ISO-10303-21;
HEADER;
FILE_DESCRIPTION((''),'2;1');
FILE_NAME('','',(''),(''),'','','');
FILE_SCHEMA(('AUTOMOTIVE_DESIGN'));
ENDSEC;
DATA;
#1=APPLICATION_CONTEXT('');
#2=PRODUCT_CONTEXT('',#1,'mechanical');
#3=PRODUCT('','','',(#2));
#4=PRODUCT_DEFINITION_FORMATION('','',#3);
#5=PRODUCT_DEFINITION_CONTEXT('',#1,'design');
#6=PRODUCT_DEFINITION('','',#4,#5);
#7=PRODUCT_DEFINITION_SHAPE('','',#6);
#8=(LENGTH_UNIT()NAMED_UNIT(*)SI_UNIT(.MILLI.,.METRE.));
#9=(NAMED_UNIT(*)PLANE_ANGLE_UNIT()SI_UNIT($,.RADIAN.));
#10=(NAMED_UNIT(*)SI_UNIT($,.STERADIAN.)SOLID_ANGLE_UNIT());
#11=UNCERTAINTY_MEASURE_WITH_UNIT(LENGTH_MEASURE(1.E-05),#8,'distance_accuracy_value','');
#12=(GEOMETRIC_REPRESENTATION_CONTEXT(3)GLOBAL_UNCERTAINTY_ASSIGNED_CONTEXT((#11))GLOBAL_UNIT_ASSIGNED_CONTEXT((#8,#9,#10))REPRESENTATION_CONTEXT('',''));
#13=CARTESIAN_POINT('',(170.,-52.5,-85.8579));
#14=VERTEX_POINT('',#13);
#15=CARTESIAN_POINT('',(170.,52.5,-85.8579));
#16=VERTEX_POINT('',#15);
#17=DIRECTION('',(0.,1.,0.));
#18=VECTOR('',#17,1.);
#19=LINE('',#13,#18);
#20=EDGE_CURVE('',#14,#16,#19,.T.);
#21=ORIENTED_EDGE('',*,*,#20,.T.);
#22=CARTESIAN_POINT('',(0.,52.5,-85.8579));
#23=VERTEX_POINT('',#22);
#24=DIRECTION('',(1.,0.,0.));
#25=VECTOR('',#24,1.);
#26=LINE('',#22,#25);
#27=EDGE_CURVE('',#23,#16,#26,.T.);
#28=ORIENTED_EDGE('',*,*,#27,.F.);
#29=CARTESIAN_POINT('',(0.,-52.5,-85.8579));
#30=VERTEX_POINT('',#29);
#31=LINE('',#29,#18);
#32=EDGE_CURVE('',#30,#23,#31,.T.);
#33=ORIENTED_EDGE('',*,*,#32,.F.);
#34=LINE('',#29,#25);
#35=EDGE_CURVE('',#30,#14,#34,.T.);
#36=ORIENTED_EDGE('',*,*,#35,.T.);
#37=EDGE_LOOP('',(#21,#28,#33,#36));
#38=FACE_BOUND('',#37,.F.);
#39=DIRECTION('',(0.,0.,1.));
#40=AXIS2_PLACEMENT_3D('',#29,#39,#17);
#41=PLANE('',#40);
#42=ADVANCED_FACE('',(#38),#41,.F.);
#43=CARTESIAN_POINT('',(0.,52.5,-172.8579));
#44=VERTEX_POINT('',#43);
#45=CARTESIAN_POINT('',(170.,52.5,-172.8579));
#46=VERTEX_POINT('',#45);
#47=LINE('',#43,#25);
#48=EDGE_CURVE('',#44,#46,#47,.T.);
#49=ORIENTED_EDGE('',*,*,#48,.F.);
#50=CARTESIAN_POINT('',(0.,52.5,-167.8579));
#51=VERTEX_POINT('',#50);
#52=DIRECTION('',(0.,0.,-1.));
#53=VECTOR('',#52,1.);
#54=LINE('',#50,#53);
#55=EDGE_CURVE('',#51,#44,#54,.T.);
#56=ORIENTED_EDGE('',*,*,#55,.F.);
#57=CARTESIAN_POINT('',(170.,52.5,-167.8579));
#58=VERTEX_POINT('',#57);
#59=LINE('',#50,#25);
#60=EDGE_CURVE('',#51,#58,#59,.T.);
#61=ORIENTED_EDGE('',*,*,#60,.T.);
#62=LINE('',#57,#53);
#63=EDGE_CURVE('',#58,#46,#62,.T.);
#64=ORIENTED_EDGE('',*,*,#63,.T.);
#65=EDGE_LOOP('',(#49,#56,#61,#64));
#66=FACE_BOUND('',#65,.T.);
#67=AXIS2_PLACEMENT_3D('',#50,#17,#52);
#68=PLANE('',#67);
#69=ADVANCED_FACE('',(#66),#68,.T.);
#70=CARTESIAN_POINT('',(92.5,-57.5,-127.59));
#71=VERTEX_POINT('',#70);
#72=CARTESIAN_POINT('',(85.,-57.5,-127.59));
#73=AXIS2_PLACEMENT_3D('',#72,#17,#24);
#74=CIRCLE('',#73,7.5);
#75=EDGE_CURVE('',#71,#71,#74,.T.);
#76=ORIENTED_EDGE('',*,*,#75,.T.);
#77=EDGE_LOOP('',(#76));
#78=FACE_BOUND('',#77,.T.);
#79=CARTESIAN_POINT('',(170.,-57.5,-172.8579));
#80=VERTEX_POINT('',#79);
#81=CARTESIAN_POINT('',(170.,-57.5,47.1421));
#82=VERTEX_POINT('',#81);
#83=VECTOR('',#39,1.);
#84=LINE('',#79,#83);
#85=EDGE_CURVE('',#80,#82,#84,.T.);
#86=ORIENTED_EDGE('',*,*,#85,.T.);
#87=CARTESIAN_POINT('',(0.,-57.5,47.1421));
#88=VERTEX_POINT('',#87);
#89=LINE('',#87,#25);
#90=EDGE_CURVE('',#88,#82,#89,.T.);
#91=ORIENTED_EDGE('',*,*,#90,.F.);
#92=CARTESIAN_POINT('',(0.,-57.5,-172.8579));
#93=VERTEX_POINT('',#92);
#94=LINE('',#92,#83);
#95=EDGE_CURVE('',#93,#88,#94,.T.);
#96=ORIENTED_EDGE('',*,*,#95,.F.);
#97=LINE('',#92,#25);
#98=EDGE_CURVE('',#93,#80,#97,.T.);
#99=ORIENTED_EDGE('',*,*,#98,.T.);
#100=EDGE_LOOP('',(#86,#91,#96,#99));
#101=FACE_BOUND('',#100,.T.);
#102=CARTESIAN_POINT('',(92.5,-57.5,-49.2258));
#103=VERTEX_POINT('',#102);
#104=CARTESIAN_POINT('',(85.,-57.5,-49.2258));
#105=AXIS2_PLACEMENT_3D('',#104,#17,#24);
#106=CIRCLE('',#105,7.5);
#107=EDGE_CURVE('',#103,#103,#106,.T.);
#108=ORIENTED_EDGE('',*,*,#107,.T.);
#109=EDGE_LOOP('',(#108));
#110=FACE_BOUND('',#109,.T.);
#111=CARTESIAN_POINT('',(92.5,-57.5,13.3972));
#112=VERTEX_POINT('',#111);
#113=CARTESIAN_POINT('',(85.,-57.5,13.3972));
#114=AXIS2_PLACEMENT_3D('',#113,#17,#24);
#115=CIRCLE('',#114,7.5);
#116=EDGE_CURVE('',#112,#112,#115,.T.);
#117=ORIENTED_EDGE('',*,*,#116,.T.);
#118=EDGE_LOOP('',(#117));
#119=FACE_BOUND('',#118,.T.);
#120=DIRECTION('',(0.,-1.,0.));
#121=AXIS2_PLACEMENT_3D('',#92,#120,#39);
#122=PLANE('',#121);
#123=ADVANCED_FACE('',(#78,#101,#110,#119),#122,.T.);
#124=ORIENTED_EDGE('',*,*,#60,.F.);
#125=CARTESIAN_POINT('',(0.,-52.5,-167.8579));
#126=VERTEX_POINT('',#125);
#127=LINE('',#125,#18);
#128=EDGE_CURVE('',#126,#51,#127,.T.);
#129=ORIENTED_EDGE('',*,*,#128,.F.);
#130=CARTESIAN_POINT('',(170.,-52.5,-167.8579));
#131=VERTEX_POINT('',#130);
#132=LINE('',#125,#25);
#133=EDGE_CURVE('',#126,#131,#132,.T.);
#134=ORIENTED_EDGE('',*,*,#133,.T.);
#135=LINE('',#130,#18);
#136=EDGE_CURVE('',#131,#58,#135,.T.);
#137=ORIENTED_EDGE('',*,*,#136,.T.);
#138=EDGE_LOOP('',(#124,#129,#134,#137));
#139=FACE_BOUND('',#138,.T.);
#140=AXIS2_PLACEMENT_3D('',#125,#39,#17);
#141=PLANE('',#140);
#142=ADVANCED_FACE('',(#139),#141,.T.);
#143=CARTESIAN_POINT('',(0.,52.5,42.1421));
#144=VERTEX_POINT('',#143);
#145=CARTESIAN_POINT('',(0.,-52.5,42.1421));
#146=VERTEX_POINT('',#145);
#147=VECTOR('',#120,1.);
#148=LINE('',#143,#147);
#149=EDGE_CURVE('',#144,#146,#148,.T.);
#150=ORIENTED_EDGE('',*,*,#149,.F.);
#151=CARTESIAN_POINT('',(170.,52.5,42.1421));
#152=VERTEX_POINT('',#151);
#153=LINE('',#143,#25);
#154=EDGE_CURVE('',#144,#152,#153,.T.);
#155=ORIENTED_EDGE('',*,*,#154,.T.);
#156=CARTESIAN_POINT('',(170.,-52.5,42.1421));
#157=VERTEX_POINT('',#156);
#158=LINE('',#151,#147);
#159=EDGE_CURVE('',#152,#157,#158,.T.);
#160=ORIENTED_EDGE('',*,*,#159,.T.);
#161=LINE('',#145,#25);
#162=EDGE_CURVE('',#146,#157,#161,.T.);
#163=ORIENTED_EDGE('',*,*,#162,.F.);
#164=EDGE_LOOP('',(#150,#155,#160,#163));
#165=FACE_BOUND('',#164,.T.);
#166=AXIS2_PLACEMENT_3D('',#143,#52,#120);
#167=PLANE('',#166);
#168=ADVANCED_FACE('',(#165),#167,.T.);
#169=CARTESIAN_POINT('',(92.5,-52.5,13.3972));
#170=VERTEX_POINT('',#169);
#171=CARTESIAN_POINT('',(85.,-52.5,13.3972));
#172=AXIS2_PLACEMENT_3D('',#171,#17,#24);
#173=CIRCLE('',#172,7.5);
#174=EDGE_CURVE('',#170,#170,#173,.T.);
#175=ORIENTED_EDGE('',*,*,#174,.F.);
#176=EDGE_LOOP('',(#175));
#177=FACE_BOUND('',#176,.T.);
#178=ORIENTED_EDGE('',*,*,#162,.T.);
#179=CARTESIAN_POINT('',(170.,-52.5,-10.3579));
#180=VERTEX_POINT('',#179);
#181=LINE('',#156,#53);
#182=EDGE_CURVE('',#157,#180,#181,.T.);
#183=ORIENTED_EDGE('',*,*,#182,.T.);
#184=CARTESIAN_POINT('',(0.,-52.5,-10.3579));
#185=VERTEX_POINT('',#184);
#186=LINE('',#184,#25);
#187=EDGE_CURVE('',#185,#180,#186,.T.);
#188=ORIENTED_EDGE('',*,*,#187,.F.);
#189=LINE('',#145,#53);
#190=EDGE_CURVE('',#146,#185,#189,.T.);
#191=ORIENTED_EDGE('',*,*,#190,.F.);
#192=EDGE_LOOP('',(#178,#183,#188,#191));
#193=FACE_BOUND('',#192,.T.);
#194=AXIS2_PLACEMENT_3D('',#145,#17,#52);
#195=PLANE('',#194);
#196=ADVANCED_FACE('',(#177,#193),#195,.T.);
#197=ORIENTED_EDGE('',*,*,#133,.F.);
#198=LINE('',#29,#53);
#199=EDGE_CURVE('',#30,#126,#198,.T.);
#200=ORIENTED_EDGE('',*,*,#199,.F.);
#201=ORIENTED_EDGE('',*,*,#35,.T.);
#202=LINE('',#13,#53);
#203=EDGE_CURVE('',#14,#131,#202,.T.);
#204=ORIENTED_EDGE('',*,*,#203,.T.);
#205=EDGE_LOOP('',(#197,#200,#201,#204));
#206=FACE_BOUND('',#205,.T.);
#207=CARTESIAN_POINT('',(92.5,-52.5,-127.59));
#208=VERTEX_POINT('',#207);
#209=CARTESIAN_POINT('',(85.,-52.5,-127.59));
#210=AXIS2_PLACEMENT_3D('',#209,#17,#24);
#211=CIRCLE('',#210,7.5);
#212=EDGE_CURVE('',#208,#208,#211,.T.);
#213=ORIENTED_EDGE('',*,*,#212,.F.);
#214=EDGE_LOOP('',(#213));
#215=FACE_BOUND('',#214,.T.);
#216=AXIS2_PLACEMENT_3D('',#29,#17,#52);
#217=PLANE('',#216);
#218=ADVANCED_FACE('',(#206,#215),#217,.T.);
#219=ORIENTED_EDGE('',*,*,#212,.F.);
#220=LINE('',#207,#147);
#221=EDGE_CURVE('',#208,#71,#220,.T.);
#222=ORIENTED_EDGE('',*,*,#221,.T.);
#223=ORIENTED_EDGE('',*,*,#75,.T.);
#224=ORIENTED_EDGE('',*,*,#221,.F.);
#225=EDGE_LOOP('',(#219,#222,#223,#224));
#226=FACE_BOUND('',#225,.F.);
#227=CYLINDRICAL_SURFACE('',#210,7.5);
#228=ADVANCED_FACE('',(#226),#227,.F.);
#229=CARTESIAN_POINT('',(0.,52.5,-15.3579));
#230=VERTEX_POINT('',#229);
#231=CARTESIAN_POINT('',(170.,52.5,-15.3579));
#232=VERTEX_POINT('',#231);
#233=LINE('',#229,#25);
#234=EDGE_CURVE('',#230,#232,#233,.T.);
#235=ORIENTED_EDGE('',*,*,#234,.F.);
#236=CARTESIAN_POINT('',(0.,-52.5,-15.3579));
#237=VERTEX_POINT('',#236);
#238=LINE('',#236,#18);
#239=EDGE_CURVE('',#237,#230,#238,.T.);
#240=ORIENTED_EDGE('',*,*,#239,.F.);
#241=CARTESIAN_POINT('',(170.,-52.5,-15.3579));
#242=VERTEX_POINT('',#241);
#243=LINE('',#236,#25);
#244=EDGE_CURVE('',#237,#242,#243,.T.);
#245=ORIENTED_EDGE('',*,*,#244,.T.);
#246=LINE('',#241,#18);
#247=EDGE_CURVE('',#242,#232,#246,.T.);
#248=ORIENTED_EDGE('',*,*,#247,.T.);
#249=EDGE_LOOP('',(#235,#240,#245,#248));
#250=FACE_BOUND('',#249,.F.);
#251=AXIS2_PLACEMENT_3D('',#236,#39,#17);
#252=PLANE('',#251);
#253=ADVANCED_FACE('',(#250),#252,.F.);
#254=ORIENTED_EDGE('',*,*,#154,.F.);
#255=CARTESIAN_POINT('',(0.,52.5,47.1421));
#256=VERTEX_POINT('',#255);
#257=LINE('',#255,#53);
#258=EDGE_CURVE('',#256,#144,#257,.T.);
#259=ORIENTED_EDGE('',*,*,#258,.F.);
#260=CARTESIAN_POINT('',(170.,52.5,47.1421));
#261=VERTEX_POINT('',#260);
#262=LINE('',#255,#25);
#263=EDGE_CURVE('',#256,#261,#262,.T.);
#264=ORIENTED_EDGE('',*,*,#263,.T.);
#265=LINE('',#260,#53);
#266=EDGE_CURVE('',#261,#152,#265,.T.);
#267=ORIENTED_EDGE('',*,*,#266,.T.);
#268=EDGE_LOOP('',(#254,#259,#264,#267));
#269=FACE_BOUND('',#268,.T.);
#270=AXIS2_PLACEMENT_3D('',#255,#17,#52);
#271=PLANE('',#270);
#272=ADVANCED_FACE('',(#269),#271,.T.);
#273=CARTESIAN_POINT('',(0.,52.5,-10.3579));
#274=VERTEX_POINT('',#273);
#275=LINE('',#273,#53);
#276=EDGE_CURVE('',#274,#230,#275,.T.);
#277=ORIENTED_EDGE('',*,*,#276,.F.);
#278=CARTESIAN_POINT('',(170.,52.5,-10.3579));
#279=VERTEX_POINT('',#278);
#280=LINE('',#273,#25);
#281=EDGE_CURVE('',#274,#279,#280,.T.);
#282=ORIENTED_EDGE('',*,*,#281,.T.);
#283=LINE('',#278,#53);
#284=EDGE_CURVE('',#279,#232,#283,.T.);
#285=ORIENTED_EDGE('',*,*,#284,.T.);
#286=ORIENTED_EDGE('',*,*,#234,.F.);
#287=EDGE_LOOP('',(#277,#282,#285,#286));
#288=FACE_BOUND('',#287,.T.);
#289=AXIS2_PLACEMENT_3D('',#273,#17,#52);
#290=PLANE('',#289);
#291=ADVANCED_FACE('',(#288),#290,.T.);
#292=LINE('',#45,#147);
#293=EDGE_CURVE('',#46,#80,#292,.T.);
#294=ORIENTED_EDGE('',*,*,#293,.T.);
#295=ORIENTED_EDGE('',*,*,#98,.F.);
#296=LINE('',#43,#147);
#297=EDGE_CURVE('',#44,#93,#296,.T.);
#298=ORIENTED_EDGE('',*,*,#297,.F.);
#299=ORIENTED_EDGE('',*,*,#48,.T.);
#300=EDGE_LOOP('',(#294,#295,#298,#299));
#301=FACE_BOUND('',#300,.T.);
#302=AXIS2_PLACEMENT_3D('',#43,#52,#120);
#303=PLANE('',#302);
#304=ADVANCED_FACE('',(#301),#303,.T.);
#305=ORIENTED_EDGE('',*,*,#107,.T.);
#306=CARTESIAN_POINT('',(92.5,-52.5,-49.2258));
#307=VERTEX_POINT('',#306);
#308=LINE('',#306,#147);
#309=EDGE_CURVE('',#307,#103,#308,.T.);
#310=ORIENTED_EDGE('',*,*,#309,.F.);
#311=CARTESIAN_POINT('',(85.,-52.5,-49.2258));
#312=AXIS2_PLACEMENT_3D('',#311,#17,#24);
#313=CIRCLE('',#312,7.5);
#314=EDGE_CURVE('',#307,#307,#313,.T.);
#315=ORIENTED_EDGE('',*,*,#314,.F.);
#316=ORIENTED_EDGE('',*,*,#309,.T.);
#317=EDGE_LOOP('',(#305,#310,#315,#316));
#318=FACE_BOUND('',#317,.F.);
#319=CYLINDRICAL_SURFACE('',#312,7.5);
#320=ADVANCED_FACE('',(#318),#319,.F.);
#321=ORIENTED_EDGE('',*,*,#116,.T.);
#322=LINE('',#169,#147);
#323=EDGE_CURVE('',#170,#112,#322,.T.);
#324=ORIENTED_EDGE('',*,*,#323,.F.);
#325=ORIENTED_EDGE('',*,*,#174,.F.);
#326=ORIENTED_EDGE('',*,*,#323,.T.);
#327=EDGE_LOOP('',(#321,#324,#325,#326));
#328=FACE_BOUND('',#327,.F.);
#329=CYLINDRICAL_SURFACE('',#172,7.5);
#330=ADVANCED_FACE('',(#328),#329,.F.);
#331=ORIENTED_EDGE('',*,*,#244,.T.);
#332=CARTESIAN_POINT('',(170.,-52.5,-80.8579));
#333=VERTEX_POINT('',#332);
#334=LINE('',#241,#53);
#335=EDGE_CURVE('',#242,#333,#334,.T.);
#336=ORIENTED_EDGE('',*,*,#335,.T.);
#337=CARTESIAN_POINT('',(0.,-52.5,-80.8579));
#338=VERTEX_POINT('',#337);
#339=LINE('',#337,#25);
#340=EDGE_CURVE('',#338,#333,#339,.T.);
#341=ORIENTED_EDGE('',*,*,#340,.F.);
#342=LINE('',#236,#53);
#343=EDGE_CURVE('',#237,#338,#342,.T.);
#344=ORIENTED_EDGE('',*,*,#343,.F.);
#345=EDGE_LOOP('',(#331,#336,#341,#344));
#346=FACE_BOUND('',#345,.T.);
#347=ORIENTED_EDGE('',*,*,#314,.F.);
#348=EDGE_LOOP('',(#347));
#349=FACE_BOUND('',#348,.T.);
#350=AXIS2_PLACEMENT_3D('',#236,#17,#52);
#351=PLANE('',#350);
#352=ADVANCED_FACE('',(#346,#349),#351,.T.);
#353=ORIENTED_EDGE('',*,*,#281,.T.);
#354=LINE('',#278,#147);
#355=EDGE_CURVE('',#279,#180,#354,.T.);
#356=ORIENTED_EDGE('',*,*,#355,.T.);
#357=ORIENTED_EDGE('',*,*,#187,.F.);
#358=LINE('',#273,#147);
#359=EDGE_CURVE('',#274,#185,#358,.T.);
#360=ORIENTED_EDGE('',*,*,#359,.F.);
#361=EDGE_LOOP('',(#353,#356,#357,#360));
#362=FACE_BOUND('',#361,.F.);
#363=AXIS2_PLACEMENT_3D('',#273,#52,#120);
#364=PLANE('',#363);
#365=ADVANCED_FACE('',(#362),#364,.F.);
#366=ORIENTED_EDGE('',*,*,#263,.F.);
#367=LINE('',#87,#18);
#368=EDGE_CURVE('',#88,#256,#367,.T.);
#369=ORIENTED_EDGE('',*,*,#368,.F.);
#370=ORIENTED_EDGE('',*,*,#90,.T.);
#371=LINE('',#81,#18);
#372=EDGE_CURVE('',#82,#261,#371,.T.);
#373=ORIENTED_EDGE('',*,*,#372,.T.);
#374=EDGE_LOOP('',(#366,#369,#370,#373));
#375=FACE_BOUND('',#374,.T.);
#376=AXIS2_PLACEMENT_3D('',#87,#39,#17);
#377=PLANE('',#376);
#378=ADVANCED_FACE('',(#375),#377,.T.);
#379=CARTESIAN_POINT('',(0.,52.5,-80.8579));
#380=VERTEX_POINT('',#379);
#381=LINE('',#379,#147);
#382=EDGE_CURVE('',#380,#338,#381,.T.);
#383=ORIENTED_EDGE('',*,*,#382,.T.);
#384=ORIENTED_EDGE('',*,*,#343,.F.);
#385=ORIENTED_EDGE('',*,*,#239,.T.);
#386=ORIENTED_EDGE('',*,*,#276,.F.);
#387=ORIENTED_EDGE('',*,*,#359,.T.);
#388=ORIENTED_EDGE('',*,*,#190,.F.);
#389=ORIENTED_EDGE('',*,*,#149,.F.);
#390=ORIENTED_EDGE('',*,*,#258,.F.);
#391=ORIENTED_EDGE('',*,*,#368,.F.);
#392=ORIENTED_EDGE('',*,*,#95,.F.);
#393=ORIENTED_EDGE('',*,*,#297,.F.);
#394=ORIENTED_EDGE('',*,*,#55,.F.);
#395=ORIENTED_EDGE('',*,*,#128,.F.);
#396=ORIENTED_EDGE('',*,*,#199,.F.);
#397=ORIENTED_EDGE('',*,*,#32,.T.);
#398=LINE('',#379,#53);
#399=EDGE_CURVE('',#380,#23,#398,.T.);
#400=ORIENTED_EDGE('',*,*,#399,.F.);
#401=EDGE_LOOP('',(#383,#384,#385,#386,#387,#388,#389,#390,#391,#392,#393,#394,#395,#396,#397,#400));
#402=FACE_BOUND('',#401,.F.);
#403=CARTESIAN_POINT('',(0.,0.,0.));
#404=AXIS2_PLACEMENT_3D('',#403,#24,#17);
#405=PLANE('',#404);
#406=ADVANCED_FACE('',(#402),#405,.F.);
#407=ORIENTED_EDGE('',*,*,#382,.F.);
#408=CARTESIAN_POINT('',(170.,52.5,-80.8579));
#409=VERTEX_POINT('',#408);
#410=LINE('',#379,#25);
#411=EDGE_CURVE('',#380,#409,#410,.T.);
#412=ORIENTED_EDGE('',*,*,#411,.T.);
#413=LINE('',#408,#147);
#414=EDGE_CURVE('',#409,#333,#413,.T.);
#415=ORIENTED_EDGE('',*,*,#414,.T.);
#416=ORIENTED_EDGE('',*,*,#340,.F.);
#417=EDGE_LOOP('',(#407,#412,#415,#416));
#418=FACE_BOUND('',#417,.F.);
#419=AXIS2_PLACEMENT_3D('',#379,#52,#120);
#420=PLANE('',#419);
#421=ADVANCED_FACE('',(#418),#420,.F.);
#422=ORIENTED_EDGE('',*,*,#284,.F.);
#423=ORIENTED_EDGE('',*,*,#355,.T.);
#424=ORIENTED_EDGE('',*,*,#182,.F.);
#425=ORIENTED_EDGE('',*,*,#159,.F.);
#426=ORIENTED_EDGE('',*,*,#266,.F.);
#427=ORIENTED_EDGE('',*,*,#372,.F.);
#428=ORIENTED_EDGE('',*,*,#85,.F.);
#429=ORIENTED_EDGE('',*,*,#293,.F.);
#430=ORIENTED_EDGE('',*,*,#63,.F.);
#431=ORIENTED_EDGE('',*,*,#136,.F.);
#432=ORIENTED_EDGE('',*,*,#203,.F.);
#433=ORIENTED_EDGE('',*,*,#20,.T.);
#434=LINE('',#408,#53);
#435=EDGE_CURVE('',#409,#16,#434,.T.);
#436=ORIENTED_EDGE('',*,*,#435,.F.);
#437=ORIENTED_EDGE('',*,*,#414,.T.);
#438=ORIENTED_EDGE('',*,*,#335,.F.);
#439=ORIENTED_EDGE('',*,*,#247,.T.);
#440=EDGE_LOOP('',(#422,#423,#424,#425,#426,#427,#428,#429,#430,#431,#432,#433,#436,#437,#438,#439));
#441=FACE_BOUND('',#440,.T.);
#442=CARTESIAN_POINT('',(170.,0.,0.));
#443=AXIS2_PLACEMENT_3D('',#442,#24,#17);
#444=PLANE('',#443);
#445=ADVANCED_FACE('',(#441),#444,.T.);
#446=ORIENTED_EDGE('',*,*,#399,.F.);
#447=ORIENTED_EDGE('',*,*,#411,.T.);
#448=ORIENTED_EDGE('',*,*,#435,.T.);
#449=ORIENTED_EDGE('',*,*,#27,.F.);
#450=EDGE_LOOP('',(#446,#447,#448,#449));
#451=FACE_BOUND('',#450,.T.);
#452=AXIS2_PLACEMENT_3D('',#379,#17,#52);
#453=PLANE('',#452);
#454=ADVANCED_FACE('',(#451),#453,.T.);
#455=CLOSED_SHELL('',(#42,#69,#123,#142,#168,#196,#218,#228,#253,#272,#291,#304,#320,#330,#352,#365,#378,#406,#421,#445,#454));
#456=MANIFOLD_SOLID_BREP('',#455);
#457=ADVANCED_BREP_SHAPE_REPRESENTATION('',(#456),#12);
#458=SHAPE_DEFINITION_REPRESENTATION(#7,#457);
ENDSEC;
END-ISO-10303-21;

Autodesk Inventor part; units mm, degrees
ref_plane "YZ Plane" through (0, 0, 0) normal (1, 0, 0) x (0, 1, 0)
ref_plane "XZ Plane" through (0, 0, 0) normal (0, 1, 0) x (-1, 0, 0)
ref_plane "XY Plane" through (0, 0, 0) normal (0, 0, 1) x (1, 0, 0)
sketch "Sketch1" plane through (0, 0, 0) normal (1, 0, 0) x (0, 1, 0)
  line L0 (-57.5, 47.1421) -> (52.5, 47.1421)
  line L1 (52.5, -172.8579) -> (-57.5, -172.8579)
  line L2 (-57.5, -172.8579) -> (-57.5, 47.1421)
  line L3 (52.5, 42.1421) -> (-52.5, 42.1421)
  line L4 (-52.5, -167.8579) -> (52.5, -167.8579)
  line L5 (52.5, -10.3579) -> (-52.5, -10.3579)
  line L6 (-52.5, -15.3579) -> (52.5, -15.3579)
  line L7 (52.5, -80.8579) -> (-52.5, -80.8579)
  line L8 (-52.5, -85.8579) -> (52.5, -85.8579)
  line L9 (-52.5, 42.1421) -> (-52.5, -10.3579)
  line L10 (-52.5, -15.3579) -> (-52.5, -80.8579)
  line L11 (-52.5, -85.8579) -> (-52.5, -167.8579)
  line L12 (52.5, 47.1421) -> (52.5, 42.1421)
  line L13 (52.5, -10.3579) -> (52.5, -15.3579)
  line L14 (52.5, -80.8579) -> (52.5, -85.8579)
  line L15 (52.5, -167.8579) -> (52.5, -172.8579)
  point P0 (0, 0)
  point P1 (0, -85.8579)
  dimension "d4" = 52.5
  dimension "d5" = 5
  dimension "d6" = 65.5
  dimension "d7" = 5
  dimension "d10" = 82
extrude "Extrusion1" add sketch "Sketch1" along normal blind 170
sketch "Sketch2" plane through (0, -52.5, 42.1421) normal (0, 1, 0) x (1, 0, 0)
  line L0 (0, 210) -> (170, 210) projected
  circle A0 centre (85, 169.7321) radius 7.5
  circle A1 centre (85, 91.3679) radius 7.5
  circle A2 centre (85, 28.7449) radius 7.5
  point P0 (0, 42.1421)
extrude "Extrusion2" cut sketch "Sketch2" against normal blind 5
